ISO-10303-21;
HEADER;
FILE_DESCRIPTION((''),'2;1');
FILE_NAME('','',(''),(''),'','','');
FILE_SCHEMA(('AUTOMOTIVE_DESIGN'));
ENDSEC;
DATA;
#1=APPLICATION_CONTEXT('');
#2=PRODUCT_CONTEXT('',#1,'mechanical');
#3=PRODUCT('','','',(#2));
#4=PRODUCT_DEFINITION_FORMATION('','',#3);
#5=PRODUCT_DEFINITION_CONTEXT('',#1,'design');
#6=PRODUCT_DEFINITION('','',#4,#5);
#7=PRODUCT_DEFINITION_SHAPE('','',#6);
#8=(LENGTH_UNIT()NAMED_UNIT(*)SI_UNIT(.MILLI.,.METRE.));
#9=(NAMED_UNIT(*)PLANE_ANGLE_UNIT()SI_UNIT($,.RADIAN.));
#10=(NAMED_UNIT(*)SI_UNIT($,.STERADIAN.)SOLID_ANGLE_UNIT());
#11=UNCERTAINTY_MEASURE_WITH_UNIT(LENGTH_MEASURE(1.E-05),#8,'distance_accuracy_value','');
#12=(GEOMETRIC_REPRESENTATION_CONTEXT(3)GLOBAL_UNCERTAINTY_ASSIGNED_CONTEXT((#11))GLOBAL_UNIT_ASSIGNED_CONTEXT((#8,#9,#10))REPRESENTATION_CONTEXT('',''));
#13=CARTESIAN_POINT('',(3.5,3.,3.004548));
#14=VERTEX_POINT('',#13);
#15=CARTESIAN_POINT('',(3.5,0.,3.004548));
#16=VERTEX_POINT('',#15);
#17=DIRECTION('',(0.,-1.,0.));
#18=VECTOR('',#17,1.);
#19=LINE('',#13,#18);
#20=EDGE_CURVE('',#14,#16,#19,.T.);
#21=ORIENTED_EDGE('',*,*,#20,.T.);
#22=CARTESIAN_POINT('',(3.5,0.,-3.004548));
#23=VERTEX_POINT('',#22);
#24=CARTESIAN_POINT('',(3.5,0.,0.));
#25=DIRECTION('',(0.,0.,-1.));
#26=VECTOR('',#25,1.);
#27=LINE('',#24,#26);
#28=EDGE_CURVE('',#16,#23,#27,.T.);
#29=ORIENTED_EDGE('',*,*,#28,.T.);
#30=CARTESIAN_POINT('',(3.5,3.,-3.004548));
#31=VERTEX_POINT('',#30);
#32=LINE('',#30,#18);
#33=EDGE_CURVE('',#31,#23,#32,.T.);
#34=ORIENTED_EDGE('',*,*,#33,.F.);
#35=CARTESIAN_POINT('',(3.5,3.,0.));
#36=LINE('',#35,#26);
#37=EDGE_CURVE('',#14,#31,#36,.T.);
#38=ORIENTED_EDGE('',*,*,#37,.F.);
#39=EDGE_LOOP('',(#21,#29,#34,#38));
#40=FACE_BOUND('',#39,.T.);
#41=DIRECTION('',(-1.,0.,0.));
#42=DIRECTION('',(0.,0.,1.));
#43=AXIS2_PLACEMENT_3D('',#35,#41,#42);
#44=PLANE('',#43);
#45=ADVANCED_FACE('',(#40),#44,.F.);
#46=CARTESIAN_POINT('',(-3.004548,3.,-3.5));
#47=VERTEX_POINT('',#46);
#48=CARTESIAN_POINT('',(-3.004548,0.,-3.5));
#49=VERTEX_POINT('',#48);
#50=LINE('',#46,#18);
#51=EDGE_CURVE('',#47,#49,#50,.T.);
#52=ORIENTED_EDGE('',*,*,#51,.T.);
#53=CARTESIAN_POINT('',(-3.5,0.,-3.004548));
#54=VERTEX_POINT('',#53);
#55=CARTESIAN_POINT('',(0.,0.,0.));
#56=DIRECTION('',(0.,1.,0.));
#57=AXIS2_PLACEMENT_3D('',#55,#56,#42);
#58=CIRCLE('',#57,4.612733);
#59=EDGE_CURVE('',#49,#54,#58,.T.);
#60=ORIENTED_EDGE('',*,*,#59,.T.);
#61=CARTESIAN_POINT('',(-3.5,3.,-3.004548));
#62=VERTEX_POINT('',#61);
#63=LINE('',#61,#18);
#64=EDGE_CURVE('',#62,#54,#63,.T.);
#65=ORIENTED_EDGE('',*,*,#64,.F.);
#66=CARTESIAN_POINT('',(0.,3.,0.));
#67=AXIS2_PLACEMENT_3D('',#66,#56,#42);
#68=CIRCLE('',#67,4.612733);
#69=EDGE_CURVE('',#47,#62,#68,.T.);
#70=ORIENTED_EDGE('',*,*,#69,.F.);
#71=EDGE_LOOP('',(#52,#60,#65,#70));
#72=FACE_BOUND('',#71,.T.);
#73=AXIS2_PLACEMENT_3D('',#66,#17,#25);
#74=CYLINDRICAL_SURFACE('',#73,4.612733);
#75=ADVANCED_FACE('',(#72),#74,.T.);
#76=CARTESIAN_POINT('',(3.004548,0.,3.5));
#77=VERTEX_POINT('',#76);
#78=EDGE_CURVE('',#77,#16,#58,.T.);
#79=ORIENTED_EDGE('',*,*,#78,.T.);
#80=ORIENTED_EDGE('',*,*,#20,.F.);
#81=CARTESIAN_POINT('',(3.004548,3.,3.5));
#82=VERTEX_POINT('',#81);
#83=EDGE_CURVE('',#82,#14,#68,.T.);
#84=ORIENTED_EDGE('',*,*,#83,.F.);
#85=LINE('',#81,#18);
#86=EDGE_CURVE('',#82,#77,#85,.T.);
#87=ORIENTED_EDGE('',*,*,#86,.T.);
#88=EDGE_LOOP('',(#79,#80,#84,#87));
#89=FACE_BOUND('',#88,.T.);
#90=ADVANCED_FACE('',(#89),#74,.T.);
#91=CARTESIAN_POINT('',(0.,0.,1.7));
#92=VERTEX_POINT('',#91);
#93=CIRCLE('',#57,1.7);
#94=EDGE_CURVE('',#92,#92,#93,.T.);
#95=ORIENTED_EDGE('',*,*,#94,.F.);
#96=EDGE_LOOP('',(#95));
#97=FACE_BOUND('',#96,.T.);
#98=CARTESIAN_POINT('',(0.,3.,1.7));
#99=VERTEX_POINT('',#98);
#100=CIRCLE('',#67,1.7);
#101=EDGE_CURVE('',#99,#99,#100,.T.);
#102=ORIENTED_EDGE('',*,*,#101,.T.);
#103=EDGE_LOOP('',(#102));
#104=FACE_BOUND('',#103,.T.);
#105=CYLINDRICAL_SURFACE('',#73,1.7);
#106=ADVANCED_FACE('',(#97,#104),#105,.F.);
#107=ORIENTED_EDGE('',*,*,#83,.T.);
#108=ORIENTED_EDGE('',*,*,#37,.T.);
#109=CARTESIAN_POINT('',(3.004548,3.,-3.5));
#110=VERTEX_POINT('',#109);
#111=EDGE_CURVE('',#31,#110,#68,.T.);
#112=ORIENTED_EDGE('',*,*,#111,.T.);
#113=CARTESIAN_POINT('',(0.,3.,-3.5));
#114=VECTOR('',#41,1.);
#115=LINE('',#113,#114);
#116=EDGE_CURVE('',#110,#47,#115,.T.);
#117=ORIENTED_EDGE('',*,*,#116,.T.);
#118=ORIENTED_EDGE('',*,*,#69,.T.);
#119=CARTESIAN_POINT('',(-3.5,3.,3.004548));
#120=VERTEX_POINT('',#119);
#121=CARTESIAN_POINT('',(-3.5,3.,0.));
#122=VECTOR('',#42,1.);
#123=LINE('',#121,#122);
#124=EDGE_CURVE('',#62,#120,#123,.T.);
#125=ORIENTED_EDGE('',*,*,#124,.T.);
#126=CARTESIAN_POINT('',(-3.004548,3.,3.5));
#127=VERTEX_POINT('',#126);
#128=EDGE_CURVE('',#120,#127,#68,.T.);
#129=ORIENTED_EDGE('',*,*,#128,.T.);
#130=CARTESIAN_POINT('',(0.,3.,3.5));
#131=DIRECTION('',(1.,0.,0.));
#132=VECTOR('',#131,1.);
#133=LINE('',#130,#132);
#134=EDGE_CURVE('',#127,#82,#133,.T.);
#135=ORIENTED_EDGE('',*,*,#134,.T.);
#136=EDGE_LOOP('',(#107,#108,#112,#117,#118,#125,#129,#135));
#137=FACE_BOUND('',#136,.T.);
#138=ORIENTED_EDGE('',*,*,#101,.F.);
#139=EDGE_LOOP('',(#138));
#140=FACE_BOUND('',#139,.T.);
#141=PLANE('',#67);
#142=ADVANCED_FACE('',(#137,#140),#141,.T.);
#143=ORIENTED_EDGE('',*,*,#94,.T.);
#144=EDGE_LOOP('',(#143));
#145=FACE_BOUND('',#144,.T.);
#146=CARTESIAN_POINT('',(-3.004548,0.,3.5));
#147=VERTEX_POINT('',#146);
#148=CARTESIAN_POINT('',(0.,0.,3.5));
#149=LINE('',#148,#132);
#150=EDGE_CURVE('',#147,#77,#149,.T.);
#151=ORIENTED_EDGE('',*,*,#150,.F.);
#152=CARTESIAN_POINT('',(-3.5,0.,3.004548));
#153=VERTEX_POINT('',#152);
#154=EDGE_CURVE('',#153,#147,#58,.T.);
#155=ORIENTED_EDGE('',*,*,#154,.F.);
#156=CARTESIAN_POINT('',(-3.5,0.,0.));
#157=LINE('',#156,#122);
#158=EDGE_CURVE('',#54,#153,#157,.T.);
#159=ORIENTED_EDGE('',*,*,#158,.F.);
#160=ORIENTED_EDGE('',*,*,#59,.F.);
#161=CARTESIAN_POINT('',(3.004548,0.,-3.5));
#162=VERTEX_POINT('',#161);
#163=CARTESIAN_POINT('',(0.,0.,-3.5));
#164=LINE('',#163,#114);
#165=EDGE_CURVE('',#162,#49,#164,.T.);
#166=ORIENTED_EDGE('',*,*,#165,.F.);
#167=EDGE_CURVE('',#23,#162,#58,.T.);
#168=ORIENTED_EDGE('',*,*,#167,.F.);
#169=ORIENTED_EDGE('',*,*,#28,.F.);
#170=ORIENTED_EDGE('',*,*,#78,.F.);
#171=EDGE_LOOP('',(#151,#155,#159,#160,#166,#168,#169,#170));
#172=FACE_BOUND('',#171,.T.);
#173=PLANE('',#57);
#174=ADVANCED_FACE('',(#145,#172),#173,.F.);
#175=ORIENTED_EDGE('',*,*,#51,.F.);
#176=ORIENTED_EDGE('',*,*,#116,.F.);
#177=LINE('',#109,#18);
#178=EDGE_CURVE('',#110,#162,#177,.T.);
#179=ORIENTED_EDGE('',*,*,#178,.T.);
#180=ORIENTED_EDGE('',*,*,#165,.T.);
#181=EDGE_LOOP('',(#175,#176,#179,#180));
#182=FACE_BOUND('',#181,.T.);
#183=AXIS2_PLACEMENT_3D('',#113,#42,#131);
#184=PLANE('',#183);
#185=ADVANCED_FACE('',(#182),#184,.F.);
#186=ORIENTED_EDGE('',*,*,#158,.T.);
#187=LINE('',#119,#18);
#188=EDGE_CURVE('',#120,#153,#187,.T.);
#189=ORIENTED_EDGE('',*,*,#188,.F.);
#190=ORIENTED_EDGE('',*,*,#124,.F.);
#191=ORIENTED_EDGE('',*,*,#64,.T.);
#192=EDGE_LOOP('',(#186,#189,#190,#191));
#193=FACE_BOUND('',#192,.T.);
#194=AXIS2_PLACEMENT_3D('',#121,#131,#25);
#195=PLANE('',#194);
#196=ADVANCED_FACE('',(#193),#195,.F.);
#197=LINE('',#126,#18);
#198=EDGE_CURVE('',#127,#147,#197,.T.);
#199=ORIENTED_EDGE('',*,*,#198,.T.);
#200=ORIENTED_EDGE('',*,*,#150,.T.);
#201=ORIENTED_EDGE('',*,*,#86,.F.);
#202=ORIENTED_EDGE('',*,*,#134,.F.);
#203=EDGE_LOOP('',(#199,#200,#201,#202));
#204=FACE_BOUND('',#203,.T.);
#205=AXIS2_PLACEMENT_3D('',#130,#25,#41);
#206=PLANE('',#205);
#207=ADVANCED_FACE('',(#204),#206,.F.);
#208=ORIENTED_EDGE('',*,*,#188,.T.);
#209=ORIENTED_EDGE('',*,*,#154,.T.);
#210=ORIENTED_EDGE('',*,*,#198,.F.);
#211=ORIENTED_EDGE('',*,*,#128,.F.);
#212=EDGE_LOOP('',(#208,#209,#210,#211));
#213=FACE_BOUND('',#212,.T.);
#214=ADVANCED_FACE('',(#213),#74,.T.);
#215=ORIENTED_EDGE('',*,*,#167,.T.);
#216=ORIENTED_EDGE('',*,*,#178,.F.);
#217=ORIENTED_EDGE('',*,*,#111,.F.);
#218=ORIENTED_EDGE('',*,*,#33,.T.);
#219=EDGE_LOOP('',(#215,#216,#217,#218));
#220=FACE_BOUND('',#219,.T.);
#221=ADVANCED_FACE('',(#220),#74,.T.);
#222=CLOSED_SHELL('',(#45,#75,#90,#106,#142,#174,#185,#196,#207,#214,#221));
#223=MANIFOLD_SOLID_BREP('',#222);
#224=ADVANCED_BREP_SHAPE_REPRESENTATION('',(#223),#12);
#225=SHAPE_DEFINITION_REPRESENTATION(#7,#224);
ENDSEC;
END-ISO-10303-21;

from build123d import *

# Parameters (mm, degrees)
SKETCH1_R           = 1.7
BOSS_EXTRUDE1_DEPTH = 3


with BuildPart() as part:
    # Sketch1 → Boss-Extrude1 (new body)
    with BuildSketch(Plane(origin=(0, 0, 0), x_dir=(1, 0, 0), z_dir=(0, 1, 0))):
        with BuildLine():
            Line((3.5, -3.004547628), (3.5, 3.004547628))
            ThreePointArc((3.5, 3.004547628), (3.261694839, 3.261694839), (3.004547628, 3.5))
            Line((3.004547628, 3.5), (-3.004547628, 3.5))
            ThreePointArc((-3.004547628, 3.5), (-3.261694839, 3.261694839), (-3.5, 3.004547628))
            Line((-3.5, 3.004547628), (-3.5, -3.004547628))
            ThreePointArc((-3.5, -3.004547628), (-3.261694839, -3.261694839), (-3.004547628, -3.5))
            Line((-3.004547628, -3.5), (3.004547628, -3.5))
            ThreePointArc((3.004547628, -3.5), (3.261694839, -3.261694839), (3.5, -3.004547628))
        make_face()
        with Locations(Location((0, 0, 0), (0, 0, 270))):
            Circle(SKETCH1_R, mode=Mode.SUBTRACT)
    extrude(amount=BOSS_EXTRUDE1_DEPTH)


solid = part.part
